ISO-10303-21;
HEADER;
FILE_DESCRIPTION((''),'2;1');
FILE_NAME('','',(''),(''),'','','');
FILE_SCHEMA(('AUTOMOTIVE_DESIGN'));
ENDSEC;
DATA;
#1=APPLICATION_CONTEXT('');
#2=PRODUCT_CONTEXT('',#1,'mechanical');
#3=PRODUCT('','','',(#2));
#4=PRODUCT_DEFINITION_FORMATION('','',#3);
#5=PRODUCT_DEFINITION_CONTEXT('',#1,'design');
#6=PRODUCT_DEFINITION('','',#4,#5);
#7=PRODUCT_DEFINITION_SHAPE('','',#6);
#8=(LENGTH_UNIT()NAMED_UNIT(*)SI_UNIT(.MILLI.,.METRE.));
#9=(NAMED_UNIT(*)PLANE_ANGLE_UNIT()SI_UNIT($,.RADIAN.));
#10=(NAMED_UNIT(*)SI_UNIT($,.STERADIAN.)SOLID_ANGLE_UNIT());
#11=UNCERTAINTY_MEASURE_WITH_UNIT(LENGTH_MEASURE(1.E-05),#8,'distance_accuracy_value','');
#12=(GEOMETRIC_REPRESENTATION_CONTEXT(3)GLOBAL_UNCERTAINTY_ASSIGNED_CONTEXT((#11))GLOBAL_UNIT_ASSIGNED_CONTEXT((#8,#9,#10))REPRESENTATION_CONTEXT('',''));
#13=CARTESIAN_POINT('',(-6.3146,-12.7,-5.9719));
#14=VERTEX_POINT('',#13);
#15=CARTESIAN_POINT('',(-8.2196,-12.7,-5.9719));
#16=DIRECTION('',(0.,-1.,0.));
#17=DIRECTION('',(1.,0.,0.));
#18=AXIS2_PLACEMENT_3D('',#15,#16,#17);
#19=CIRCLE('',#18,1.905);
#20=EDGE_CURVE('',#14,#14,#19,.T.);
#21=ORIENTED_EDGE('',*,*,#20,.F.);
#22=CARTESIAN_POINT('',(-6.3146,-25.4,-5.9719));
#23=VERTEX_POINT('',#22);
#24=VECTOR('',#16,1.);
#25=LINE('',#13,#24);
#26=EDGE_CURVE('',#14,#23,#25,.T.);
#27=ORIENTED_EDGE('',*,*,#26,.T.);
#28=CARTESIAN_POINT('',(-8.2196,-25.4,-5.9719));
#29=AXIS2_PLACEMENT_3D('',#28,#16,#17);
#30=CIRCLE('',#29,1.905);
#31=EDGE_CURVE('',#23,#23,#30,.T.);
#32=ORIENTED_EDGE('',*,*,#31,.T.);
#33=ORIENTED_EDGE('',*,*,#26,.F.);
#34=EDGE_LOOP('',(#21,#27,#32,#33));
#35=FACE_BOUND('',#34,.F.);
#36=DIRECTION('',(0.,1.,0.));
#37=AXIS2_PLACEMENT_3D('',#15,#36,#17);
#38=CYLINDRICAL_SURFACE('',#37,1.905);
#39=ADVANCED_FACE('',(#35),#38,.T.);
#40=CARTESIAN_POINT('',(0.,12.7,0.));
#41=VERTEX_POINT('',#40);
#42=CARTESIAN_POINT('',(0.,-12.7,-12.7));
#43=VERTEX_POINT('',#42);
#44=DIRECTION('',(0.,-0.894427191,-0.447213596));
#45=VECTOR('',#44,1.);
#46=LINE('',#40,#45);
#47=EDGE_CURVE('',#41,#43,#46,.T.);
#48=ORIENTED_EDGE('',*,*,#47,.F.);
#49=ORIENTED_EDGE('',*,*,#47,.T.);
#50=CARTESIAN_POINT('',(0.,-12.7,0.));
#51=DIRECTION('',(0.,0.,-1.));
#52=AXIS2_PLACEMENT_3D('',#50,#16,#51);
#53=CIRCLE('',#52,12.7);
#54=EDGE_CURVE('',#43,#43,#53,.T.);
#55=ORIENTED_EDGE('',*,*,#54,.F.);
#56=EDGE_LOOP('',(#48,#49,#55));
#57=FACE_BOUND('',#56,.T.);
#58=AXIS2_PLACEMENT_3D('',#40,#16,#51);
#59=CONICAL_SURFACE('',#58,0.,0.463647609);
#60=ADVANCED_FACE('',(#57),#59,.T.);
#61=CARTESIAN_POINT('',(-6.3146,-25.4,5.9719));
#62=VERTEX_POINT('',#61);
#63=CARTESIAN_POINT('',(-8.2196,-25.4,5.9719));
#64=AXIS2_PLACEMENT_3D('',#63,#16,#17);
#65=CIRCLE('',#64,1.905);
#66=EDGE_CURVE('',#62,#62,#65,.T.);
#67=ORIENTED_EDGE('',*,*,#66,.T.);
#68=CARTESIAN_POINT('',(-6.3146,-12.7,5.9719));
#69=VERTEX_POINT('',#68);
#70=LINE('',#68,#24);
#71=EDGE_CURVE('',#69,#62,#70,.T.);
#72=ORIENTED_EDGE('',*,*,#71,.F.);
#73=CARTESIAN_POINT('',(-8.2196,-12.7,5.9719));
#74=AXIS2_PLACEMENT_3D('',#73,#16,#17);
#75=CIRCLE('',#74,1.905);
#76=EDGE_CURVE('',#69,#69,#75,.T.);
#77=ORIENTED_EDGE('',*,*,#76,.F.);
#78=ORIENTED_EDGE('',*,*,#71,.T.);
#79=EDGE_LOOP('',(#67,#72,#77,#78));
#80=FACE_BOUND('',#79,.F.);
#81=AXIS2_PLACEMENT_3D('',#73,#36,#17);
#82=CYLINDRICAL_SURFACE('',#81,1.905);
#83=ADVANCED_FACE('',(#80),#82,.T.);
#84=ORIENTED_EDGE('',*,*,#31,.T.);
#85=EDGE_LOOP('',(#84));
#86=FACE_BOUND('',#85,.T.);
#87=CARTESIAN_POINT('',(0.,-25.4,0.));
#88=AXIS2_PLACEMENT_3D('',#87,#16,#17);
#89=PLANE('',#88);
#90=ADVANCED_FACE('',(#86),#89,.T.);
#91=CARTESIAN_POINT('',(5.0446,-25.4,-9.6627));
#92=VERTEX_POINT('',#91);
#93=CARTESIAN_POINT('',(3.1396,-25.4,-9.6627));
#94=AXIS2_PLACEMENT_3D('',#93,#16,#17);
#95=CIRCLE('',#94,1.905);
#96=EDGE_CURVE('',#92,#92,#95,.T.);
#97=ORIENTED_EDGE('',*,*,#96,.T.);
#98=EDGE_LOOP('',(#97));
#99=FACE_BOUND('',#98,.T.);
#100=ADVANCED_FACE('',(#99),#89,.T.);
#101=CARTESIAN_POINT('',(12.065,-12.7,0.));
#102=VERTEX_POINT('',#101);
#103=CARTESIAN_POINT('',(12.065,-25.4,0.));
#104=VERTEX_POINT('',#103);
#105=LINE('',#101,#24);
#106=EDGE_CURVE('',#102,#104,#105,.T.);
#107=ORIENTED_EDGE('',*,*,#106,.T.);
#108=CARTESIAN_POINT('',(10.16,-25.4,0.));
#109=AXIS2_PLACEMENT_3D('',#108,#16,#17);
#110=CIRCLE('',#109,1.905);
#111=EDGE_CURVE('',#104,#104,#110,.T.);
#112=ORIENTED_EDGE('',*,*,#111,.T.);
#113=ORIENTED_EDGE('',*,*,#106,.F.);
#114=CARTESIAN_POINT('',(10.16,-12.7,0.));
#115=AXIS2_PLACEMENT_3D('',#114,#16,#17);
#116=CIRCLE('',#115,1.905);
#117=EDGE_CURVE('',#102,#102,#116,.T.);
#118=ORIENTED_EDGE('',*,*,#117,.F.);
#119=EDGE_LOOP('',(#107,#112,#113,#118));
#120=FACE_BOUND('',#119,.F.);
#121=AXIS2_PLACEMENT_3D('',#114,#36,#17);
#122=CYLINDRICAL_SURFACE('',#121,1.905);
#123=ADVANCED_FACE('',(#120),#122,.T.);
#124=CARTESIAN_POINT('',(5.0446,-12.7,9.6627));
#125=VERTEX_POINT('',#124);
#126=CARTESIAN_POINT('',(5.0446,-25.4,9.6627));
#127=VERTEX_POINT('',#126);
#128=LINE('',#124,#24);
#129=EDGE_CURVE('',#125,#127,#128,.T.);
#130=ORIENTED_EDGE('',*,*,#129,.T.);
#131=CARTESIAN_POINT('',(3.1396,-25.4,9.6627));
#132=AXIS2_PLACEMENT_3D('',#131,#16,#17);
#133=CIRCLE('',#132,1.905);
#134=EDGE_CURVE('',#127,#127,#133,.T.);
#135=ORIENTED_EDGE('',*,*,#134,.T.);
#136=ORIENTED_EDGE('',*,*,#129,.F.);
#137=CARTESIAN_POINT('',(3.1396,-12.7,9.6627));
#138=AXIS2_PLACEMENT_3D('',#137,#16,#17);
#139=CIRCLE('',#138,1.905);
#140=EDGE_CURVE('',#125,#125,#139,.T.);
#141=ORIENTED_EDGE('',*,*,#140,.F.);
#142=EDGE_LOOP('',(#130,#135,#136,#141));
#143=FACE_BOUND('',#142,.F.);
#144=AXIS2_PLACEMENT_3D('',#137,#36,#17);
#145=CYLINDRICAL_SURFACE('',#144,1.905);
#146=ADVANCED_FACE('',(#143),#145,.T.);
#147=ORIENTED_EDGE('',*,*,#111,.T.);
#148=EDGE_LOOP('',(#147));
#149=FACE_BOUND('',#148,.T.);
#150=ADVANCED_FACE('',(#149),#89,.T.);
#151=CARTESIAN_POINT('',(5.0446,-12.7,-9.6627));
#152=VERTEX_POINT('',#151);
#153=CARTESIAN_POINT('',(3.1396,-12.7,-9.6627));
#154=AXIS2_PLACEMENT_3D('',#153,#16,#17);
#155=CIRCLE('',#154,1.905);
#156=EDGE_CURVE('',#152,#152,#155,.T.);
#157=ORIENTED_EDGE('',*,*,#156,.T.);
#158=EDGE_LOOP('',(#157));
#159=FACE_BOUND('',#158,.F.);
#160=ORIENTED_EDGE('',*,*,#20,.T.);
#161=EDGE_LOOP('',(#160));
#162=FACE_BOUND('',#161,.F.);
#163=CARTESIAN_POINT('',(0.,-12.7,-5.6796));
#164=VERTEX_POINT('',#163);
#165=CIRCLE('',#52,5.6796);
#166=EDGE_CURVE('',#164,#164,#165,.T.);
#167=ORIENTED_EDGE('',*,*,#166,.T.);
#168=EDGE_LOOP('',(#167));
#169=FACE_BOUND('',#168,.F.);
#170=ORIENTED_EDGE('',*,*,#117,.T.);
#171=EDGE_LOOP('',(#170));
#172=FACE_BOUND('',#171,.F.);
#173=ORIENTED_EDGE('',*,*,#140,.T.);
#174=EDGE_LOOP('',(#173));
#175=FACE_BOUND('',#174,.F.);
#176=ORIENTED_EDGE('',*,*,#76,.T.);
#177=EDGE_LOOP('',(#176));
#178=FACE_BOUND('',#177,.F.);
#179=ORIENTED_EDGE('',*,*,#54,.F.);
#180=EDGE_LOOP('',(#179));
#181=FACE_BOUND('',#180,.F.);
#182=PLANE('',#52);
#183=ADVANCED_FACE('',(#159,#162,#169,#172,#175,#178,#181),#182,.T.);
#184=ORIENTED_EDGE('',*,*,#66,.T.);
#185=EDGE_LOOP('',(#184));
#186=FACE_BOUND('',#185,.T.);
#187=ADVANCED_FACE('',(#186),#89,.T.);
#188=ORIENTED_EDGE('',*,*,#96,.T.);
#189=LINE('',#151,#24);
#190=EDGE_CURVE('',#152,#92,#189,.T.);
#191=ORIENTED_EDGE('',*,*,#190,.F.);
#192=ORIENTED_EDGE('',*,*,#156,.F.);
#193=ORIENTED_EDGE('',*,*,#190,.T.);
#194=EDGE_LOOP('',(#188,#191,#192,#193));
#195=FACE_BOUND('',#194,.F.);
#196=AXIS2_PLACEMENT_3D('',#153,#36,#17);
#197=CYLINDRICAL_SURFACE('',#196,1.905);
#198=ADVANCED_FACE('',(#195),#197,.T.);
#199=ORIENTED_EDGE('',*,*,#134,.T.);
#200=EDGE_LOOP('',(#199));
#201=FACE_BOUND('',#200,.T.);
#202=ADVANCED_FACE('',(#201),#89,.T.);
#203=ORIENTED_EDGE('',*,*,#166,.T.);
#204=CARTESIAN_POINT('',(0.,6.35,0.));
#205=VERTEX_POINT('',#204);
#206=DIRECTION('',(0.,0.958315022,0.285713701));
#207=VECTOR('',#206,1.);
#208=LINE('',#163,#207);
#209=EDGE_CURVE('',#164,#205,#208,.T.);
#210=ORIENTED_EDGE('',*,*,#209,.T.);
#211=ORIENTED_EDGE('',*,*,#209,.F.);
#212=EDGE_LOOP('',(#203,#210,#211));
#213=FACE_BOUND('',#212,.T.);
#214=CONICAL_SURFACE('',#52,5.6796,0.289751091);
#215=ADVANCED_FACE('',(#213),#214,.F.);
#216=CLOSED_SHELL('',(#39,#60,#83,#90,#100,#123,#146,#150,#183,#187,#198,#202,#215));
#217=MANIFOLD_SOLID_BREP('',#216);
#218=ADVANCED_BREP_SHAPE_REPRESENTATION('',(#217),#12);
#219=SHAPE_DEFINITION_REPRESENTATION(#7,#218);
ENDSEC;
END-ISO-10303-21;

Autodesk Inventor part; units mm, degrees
ref_plane "YZ Plane" through (0, 0, 0) normal (1, 0, 0) x (0, 1, 0)
ref_plane "XZ Plane" through (0, 0, 0) normal (0, 1, 0) x (-1, 0, 0)
ref_plane "XY Plane" through (0, 0, 0) normal (0, 0, 1) x (1, 0, 0)
sketch "草圖1" plane through (0, 0, 0) normal (1, 0, 0) x (0, 1, 0)
  line L0 (12.7, 0) -> (-12.7, -12.7)
  line L1 (12.7, 0) -> (6.35, 0)
  line L2 (-12.7, -5.6796) -> (-12.7, -12.7)
  line L3 (-12.7, -5.6796) -> (6.35, 0)
  line L4 (18.1647, 0) -> (-20.7914, 0)
  point P0 (0, 0)
  dimension "d2" = 12.7
  dimension "d3" = 12.7
  dimension "d5" = 6.35
  dimension "d7" = 12.7
revolve "迴轉1" add sketch "草圖1" angle 360 about axis through (0, 18.1647, 0) along (0, -1, 0)
sketch "草圖3" plane through (0, -12.7, 0) normal (0, -1, 0) x (1, 0, 0)
  circle A0 centre (10.16, 0) radius 1.905
  circle A1 centre (0, 0) radius 2.7246
  circle A2 centre (3.1396, -9.6627) radius 1.905
  circle A3 centre (0, 0) radius 2.7246
  circle A4 centre (-8.2196, -5.9719) radius 1.905
  circle A5 centre (0, 0) radius 2.7246
  circle A6 centre (-8.2196, 5.9719) radius 1.905
  circle A7 centre (0, 0) radius 2.7246
  circle A8 centre (3.1396, 9.6627) radius 1.905
  circle A9 centre (0, 0) radius 2.7246
  dimension "d9" = 3.81
  dimension "d10" = 10.16
  dimension "d13" = 360
extrude "擠出1" add sketch "草圖3" along normal blind 12.7 contours A0 | A2 | A4 | A6 | A8
